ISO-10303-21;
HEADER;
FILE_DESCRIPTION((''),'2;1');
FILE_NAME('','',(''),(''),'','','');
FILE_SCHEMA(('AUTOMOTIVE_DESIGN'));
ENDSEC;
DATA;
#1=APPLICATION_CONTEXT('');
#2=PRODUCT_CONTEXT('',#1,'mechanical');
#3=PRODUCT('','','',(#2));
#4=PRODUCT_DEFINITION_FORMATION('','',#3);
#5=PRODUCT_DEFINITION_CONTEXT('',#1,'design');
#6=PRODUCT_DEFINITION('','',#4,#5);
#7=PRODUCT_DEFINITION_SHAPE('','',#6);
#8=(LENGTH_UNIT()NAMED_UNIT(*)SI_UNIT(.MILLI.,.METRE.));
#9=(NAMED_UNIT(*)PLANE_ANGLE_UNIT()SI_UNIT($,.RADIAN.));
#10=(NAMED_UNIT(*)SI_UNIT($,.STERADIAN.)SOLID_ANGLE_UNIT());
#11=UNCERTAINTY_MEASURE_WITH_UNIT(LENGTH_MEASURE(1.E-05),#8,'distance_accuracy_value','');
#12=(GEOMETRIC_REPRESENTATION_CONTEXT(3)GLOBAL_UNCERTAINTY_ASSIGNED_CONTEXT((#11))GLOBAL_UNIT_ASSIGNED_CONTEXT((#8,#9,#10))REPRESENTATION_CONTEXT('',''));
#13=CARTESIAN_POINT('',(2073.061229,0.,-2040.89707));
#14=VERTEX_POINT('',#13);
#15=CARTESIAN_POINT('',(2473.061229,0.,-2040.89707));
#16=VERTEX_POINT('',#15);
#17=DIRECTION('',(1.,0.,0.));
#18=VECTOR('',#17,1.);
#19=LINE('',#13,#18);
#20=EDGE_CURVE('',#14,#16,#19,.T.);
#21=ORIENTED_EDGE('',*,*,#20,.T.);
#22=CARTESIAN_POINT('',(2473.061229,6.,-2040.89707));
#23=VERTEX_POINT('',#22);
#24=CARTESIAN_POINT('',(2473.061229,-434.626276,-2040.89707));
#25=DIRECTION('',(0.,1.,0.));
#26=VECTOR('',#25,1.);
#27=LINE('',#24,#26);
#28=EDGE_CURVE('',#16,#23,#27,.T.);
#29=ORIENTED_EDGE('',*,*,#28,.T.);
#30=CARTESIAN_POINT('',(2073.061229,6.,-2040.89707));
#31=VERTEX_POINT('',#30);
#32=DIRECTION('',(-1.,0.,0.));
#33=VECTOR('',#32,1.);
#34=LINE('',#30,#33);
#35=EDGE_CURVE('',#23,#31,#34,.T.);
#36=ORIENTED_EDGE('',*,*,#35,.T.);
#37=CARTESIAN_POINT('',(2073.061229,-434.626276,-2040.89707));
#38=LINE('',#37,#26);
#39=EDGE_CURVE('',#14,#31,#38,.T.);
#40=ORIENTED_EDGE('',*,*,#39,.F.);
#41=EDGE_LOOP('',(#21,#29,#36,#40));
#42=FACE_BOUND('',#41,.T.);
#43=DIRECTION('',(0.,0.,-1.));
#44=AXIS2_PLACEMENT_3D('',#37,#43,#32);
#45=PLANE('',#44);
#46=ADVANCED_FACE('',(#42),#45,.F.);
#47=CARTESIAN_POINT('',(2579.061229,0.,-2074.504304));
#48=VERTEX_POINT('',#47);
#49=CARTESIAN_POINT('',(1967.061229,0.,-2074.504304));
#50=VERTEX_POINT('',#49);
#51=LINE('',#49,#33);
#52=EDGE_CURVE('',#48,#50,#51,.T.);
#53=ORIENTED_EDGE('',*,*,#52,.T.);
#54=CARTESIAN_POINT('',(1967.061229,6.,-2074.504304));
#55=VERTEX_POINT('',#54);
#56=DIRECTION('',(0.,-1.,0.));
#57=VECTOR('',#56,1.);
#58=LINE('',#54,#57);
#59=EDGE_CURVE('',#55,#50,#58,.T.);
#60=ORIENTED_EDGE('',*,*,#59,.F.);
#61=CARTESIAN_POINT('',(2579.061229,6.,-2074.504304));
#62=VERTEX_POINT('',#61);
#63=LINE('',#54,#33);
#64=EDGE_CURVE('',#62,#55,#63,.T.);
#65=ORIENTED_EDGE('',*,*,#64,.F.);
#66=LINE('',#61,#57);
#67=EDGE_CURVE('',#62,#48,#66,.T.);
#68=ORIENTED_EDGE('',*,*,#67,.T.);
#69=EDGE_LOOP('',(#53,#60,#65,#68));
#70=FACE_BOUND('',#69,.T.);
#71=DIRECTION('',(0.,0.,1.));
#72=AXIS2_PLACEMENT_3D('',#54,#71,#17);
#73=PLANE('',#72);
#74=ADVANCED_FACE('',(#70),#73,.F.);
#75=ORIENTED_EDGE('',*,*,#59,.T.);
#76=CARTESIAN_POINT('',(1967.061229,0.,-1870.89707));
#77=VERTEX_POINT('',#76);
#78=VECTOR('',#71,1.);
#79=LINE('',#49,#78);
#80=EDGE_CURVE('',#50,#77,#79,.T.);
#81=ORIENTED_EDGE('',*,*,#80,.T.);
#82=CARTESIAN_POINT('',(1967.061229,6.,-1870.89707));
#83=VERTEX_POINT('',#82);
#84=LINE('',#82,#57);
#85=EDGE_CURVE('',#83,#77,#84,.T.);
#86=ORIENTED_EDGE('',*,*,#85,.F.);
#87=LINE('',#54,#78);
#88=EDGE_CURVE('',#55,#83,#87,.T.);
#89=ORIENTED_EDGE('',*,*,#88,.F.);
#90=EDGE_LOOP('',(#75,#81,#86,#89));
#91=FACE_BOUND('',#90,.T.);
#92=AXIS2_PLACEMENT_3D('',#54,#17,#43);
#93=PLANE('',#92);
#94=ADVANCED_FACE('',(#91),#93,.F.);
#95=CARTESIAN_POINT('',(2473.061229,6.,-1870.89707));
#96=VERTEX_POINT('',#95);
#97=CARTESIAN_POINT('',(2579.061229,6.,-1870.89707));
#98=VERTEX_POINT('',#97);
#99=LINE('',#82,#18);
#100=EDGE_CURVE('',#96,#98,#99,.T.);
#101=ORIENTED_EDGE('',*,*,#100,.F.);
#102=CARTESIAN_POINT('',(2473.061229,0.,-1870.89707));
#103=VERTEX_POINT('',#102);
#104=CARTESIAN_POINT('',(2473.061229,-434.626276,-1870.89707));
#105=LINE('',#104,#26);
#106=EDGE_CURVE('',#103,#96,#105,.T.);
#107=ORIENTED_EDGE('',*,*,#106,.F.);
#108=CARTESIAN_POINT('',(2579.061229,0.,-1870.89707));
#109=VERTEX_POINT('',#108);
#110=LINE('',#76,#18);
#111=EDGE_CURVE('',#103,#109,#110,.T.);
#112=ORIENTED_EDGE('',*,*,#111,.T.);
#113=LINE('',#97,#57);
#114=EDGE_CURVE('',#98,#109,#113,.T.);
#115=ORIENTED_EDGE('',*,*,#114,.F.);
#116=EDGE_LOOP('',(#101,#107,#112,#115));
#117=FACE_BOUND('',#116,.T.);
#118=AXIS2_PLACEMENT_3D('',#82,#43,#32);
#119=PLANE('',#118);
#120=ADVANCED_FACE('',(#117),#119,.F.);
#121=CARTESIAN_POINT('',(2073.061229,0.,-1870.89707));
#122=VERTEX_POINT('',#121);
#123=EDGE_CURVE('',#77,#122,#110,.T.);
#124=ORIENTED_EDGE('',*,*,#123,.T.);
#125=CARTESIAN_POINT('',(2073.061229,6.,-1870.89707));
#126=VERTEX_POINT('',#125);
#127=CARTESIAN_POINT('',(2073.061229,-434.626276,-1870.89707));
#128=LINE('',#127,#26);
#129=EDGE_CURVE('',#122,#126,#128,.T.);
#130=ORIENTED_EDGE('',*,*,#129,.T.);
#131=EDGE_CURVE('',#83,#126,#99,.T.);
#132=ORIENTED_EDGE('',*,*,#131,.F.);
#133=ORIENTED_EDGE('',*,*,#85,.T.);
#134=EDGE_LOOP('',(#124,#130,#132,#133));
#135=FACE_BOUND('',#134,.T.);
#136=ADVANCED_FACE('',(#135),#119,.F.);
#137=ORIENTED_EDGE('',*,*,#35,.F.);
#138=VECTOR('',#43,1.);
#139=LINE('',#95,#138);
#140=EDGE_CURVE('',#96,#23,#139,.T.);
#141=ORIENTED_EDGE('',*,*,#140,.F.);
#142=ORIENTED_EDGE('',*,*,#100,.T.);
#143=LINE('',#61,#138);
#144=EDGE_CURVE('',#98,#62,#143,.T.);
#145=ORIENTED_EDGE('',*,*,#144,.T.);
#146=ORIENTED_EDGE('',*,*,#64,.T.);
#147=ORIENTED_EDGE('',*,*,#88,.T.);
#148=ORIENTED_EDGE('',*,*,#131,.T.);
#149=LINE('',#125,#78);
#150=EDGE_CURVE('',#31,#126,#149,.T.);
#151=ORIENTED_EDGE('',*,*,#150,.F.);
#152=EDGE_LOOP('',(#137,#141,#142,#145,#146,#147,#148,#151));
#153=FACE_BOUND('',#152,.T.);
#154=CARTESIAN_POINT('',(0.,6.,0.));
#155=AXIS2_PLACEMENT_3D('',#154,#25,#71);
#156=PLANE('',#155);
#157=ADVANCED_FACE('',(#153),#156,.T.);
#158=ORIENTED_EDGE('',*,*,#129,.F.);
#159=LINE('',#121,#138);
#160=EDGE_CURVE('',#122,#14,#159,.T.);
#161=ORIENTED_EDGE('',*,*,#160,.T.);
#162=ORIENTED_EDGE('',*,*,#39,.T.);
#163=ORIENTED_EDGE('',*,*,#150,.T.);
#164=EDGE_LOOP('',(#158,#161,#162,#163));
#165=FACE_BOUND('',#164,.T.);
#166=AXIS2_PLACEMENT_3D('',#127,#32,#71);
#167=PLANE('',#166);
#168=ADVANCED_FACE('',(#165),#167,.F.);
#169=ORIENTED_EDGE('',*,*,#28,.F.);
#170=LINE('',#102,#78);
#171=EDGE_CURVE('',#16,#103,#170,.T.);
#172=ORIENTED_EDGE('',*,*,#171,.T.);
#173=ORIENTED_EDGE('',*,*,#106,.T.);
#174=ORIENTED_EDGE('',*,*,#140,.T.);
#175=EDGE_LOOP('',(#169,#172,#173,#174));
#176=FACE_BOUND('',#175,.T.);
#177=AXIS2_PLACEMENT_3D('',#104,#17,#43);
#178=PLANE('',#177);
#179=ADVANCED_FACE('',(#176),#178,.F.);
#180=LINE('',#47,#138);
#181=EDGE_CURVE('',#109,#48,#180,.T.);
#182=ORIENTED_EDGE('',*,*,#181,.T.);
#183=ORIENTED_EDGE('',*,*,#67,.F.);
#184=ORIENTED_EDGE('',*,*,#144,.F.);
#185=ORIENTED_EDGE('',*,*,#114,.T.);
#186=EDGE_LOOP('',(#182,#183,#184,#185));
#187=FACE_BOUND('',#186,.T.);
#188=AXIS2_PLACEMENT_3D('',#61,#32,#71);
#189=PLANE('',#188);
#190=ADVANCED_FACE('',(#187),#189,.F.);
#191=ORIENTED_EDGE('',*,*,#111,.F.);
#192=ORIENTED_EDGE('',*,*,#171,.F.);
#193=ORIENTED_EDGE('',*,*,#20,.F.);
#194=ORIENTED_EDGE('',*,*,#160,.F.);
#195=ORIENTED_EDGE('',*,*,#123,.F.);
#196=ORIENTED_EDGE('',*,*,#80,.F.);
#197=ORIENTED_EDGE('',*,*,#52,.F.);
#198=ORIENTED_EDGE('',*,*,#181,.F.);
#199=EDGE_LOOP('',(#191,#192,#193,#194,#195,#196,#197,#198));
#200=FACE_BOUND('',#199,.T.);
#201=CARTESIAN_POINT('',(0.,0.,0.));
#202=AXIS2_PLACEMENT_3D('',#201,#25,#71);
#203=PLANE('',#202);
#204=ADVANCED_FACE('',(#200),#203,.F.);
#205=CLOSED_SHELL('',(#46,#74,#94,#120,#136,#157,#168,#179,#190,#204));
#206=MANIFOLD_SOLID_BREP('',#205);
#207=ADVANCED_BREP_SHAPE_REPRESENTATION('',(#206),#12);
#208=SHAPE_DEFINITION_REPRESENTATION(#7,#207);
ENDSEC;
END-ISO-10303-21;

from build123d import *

# Parameters (mm, degrees)
SKETCH_1_W          = 612
SKETCH_1_H          = 203.607233597
EXTRUDE_1_DEPTH     = 6
SKETCH_2_W          = 400
SKETCH_2_H          = 170
CUT_EXTRUDE_1_DEPTH = 6


with BuildPart() as part:
    # Эскиз1 → Бобышка-Вытянуть1 (new body)
    with BuildSketch(Plane(origin=(0, 0, 0), x_dir=(1, 0, 0), z_dir=(0, 1, 0))):
        with Locations((2273.061228943, 1972.700687166)):
            Rectangle(SKETCH_1_W, SKETCH_1_H)
    extrude(amount=EXTRUDE_1_DEPTH)

    # Эскиз2 → Вырез-Вытянуть1 (cut)
    with BuildSketch(Plane(origin=(0, 6, 0), x_dir=(1, 0, 0), z_dir=(0, 1, 0))):
        with Locations((2273.061228943, 1955.897070367)):
            Rectangle(SKETCH_2_W, SKETCH_2_H)
    extrude(amount=-CUT_EXTRUDE_1_DEPTH, mode=Mode.SUBTRACT)


solid = part.part
